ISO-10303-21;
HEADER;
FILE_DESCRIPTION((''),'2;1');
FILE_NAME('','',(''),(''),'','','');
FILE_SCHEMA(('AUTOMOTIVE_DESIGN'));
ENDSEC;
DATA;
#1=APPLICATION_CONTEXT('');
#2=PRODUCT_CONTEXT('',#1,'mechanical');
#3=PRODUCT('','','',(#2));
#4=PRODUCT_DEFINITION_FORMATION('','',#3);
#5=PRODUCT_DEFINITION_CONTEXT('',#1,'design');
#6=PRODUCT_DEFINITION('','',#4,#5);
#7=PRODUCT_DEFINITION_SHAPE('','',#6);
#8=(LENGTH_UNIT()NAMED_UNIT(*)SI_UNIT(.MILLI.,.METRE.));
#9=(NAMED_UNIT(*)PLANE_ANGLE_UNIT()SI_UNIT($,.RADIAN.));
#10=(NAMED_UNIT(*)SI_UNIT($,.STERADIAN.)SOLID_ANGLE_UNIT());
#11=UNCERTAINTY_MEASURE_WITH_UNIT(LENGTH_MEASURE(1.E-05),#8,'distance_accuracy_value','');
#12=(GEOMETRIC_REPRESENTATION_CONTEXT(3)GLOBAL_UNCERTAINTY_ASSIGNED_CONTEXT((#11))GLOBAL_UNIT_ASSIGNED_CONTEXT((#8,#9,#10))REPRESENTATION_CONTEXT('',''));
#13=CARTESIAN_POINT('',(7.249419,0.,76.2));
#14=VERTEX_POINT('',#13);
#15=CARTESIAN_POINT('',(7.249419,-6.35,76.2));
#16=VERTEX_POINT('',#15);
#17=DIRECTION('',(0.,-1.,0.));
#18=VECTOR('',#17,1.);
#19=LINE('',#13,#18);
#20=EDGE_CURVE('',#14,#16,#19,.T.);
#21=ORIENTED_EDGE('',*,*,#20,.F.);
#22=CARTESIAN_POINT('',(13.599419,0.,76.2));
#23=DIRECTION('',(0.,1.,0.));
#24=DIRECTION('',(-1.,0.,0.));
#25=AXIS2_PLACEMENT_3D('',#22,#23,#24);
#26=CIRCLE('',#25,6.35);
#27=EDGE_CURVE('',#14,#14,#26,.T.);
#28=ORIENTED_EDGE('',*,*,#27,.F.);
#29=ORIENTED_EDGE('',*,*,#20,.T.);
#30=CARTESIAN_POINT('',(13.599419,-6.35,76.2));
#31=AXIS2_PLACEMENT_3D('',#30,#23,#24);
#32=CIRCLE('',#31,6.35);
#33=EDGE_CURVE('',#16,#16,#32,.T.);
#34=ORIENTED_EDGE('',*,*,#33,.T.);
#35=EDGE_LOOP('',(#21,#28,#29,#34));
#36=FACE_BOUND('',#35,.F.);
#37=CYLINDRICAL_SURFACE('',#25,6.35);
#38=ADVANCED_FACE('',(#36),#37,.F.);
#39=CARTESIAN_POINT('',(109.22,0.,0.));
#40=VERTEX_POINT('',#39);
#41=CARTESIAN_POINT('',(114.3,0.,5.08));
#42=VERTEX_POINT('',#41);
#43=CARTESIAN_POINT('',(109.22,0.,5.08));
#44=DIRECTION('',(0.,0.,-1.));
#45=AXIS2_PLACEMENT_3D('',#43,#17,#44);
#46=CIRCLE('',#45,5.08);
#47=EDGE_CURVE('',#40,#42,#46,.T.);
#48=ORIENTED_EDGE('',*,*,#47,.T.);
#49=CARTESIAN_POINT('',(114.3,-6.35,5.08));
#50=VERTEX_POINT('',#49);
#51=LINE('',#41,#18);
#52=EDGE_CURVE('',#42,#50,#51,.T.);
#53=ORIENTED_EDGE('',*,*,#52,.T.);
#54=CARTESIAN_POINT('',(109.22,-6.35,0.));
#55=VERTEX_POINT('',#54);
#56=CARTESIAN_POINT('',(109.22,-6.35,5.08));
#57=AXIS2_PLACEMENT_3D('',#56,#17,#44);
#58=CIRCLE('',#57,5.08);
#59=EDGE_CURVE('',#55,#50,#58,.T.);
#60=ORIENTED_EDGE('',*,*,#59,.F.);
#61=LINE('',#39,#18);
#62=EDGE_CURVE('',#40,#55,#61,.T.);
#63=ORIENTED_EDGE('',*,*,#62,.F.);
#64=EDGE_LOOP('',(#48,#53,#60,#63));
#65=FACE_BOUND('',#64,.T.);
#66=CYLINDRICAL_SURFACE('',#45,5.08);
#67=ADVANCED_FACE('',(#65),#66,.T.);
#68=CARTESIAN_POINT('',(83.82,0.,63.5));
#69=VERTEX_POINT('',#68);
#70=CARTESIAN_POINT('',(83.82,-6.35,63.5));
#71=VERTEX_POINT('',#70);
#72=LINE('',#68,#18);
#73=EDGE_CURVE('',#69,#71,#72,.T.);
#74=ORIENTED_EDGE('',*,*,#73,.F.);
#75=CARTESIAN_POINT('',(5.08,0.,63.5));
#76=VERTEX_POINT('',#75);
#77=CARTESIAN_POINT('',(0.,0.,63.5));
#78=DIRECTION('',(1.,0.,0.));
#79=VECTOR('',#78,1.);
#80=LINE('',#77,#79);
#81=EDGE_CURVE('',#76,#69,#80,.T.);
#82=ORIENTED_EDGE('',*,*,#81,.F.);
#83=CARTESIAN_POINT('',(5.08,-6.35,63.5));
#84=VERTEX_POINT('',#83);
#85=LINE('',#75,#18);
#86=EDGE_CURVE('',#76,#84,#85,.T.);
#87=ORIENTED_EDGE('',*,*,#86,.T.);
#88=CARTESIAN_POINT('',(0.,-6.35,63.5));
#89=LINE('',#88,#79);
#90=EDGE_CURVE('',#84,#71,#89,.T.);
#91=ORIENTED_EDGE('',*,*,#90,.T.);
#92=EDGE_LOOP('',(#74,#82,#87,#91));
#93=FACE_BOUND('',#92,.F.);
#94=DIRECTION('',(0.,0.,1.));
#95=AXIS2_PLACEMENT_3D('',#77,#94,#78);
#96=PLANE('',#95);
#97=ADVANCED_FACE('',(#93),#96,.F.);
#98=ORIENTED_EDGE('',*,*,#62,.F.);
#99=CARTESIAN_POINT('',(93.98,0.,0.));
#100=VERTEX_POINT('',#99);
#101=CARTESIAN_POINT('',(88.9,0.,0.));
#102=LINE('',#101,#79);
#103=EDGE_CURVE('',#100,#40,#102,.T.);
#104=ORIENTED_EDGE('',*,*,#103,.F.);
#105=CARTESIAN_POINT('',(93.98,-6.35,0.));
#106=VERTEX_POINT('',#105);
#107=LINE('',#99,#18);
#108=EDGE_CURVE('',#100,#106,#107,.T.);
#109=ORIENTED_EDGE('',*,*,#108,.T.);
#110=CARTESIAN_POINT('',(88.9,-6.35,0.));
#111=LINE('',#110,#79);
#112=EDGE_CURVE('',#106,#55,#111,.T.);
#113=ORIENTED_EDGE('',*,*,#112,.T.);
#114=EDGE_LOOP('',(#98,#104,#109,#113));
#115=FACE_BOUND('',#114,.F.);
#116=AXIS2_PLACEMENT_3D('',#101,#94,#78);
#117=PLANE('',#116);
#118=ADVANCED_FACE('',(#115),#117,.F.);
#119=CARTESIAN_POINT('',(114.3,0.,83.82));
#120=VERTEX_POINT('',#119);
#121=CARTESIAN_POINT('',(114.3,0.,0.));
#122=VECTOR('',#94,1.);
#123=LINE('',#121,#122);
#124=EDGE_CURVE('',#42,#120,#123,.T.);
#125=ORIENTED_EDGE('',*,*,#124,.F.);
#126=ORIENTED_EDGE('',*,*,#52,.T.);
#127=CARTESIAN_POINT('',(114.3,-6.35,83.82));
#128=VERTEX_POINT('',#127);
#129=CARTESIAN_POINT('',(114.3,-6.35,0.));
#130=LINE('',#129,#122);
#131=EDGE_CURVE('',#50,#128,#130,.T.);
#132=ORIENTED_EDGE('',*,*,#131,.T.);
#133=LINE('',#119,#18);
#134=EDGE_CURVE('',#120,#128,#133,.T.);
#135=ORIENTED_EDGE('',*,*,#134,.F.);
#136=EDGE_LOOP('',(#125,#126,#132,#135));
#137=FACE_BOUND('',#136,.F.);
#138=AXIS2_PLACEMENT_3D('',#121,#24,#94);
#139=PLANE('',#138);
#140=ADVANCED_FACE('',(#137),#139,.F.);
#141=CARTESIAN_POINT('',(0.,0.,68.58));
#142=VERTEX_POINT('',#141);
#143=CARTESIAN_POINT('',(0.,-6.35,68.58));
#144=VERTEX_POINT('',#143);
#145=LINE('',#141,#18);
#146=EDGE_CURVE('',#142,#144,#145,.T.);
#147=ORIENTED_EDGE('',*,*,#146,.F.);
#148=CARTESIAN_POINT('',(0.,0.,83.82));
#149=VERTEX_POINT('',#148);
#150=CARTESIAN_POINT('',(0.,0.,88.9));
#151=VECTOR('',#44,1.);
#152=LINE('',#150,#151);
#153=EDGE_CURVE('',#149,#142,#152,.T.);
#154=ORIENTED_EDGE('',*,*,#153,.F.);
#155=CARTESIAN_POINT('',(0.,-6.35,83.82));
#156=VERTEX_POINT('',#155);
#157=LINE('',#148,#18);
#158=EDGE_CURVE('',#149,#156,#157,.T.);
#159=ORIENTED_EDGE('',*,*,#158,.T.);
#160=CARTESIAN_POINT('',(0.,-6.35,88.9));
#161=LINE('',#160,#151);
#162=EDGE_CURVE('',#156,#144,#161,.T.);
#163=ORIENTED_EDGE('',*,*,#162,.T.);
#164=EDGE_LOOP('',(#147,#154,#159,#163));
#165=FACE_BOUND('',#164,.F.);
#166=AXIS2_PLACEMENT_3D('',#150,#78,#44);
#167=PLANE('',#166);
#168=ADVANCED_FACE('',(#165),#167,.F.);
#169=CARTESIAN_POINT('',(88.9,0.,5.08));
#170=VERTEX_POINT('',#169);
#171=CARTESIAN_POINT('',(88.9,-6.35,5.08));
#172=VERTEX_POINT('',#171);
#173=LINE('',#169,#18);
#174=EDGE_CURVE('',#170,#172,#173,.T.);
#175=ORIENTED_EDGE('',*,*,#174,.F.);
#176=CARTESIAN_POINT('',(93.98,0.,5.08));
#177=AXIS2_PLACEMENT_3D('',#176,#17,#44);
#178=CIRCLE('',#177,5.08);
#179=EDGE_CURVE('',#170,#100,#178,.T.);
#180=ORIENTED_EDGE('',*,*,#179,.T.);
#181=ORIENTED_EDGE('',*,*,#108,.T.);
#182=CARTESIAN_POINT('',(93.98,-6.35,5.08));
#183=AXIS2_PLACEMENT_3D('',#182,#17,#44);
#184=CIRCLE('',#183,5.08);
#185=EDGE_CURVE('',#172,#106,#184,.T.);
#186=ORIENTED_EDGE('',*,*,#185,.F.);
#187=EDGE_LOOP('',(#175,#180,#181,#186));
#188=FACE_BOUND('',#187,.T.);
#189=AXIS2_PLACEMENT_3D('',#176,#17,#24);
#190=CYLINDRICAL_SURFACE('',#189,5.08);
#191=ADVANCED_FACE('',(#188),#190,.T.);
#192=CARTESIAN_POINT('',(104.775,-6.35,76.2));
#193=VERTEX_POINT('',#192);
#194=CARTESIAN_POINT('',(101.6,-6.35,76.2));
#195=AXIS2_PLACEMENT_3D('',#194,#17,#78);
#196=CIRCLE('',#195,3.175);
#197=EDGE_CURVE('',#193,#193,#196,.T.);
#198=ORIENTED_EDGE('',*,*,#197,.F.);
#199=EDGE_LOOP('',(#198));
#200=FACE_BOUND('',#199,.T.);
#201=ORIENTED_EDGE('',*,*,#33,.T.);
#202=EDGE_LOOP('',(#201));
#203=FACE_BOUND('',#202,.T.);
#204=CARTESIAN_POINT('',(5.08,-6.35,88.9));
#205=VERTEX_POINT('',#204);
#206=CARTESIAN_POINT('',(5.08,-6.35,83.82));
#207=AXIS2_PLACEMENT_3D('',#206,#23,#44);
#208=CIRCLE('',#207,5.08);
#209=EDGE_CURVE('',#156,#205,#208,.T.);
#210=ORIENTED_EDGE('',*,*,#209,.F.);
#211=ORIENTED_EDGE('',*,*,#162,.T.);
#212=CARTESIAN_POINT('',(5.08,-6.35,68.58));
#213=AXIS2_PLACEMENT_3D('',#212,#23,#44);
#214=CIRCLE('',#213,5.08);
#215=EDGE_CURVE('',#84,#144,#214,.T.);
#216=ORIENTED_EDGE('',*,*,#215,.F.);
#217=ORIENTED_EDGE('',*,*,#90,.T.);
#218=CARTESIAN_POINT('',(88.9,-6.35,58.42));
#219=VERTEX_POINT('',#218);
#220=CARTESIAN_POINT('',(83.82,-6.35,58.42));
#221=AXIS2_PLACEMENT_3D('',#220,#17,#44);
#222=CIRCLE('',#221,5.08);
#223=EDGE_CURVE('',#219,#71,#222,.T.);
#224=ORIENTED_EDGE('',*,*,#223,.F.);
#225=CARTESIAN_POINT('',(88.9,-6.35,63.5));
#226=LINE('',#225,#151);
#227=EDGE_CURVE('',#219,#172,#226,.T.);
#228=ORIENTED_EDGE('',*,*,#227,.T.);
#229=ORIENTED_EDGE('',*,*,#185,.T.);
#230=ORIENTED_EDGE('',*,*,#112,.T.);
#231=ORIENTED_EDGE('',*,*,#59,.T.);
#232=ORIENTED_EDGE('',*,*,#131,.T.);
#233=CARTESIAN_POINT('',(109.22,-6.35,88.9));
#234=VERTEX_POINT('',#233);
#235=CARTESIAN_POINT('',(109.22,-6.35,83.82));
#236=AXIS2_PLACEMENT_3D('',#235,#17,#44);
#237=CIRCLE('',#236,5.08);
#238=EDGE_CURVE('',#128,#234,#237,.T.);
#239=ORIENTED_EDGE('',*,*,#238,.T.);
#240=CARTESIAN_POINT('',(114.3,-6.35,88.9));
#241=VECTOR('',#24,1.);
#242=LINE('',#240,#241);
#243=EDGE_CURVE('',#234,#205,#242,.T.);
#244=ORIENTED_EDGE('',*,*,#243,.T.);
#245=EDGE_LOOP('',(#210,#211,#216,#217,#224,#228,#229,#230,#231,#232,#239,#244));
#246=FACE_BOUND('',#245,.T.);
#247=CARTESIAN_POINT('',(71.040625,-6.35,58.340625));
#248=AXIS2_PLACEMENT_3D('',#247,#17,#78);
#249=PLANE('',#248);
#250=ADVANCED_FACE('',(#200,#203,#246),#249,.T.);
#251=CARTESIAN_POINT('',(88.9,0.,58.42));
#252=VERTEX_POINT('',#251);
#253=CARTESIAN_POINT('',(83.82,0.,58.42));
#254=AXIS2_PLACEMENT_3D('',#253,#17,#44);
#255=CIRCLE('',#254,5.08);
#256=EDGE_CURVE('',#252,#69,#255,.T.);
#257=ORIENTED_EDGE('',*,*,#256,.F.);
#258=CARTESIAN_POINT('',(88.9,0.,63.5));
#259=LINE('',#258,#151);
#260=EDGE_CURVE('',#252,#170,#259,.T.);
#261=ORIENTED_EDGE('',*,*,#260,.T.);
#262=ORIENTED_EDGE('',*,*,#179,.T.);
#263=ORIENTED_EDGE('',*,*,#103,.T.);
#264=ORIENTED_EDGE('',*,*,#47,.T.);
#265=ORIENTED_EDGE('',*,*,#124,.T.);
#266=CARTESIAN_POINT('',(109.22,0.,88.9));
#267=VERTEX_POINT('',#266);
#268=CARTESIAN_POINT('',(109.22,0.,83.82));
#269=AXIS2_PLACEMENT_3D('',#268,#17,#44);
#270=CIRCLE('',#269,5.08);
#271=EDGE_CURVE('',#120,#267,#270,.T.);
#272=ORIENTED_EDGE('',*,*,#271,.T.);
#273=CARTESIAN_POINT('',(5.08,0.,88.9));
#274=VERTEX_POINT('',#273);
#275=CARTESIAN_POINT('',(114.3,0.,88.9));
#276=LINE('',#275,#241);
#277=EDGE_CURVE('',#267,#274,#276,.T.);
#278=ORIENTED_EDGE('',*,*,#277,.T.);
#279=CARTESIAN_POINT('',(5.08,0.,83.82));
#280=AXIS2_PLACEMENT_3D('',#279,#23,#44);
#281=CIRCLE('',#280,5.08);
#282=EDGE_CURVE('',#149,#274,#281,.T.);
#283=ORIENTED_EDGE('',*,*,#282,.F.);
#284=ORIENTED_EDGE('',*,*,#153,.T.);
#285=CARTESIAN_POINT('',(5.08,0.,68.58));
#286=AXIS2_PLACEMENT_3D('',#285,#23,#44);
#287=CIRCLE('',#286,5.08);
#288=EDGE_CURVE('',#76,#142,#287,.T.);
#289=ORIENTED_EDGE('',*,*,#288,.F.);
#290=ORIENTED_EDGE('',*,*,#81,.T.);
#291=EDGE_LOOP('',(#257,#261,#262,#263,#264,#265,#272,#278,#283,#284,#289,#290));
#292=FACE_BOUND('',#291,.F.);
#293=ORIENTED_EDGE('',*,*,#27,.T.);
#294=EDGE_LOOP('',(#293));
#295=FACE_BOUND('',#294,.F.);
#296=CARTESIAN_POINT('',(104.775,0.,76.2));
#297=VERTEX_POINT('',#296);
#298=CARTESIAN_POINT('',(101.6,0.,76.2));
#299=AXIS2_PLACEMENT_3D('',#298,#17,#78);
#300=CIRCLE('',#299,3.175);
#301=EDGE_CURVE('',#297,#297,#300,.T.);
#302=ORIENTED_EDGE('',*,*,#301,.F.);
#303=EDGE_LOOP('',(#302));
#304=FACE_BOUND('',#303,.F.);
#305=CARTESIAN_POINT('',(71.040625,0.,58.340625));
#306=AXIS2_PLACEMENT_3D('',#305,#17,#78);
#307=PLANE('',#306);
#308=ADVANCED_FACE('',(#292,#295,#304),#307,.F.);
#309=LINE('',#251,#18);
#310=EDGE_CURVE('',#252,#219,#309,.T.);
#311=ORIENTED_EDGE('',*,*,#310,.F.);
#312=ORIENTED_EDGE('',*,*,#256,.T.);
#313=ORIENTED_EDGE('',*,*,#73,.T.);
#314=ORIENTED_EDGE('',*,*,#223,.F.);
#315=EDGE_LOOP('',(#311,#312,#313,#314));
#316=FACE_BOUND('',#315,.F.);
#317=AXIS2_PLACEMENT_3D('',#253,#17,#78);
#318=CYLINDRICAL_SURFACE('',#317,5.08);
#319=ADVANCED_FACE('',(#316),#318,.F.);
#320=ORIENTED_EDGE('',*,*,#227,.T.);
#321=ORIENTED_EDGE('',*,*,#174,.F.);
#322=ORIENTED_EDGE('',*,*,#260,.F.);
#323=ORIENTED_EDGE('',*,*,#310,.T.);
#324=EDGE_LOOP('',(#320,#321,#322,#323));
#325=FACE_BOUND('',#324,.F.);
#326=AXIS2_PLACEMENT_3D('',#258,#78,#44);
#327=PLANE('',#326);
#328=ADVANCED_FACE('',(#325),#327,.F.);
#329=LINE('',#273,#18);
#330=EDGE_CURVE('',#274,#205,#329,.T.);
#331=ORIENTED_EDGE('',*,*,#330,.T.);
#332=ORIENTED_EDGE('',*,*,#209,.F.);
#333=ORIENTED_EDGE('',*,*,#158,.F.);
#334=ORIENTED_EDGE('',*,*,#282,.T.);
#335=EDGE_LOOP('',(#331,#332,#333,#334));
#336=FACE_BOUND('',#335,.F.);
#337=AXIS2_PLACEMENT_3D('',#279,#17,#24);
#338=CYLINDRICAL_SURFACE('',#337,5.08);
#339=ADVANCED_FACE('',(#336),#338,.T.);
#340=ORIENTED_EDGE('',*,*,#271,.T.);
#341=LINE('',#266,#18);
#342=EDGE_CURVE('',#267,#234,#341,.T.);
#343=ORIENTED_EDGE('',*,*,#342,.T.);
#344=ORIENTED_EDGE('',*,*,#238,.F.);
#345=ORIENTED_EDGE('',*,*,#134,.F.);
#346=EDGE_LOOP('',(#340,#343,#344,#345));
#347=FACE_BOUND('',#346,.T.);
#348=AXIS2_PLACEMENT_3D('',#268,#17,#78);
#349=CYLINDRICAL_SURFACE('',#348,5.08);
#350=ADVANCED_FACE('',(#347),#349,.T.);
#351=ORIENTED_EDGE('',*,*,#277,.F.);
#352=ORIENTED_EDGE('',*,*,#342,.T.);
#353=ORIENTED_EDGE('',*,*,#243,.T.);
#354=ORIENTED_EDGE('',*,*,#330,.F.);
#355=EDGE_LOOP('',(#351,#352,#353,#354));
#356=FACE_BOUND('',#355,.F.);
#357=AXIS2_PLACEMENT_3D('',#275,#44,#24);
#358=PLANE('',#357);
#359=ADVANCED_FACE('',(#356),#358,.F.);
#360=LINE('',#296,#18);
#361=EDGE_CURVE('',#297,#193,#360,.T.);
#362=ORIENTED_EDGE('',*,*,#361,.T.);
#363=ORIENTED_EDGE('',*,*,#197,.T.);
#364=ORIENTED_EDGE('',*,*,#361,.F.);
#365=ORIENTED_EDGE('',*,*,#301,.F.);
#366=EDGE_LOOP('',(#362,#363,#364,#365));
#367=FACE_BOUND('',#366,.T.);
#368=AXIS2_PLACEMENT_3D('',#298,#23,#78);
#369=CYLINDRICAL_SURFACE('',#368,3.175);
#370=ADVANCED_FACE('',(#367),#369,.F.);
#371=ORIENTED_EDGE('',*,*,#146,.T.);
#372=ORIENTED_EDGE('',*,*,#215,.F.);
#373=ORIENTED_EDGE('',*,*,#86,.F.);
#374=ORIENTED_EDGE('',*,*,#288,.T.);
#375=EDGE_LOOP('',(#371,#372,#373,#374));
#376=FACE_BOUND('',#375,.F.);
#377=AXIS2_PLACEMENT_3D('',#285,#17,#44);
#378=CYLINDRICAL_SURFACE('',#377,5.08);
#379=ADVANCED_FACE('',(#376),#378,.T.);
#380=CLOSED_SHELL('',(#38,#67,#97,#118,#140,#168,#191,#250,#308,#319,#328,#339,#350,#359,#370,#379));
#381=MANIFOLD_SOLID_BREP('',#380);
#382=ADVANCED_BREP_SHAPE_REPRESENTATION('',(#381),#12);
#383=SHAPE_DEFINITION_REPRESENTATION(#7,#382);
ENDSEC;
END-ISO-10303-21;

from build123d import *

# Parameters (mm, degrees)
F0_R     = 3.175
F1_DEPTH = 6.35
F2_R     = 5.08
F3_R     = 6.35
F4_DEPTH = 25.4


with BuildPart() as f1:
    # F0 (on Front) → F1 (new body)
    with BuildSketch(Plane.XZ):
        Polygon((88.9, 63.5), (88.9, 0), (114.3, 0), (114.3, 88.9), (0, 88.9), (0, 63.5), align=None)
        with Locations((101.6, 76.2)):
            Circle(F0_R, mode=Mode.SUBTRACT)
    extrude(amount=F1_DEPTH)

    # F2
    f2_edges = [f1.edges().sort_by_distance(p)[0] for p in [
        (0, -3.175, 63.5),
        (0, -3.175, 88.9),
        (114.3, -3.175, 88.9),
        (114.3, -3.175, 0),
        (88.9, -3.175, 0),
        (88.9, -3.175, 63.5),
    ]]
    fillet(f2_edges, radius=F2_R)

    # F3 (on face) → F4 (cut)
    with BuildSketch(Plane(origin=(0, 0, 0), x_dir=(-1, 0, 0), z_dir=(0, 1, 0))):
        with Locations((-13.5994189943, 76.2)):
            Circle(F3_R)
    extrude(amount=-F4_DEPTH, mode=Mode.SUBTRACT)


solid = f1.part
